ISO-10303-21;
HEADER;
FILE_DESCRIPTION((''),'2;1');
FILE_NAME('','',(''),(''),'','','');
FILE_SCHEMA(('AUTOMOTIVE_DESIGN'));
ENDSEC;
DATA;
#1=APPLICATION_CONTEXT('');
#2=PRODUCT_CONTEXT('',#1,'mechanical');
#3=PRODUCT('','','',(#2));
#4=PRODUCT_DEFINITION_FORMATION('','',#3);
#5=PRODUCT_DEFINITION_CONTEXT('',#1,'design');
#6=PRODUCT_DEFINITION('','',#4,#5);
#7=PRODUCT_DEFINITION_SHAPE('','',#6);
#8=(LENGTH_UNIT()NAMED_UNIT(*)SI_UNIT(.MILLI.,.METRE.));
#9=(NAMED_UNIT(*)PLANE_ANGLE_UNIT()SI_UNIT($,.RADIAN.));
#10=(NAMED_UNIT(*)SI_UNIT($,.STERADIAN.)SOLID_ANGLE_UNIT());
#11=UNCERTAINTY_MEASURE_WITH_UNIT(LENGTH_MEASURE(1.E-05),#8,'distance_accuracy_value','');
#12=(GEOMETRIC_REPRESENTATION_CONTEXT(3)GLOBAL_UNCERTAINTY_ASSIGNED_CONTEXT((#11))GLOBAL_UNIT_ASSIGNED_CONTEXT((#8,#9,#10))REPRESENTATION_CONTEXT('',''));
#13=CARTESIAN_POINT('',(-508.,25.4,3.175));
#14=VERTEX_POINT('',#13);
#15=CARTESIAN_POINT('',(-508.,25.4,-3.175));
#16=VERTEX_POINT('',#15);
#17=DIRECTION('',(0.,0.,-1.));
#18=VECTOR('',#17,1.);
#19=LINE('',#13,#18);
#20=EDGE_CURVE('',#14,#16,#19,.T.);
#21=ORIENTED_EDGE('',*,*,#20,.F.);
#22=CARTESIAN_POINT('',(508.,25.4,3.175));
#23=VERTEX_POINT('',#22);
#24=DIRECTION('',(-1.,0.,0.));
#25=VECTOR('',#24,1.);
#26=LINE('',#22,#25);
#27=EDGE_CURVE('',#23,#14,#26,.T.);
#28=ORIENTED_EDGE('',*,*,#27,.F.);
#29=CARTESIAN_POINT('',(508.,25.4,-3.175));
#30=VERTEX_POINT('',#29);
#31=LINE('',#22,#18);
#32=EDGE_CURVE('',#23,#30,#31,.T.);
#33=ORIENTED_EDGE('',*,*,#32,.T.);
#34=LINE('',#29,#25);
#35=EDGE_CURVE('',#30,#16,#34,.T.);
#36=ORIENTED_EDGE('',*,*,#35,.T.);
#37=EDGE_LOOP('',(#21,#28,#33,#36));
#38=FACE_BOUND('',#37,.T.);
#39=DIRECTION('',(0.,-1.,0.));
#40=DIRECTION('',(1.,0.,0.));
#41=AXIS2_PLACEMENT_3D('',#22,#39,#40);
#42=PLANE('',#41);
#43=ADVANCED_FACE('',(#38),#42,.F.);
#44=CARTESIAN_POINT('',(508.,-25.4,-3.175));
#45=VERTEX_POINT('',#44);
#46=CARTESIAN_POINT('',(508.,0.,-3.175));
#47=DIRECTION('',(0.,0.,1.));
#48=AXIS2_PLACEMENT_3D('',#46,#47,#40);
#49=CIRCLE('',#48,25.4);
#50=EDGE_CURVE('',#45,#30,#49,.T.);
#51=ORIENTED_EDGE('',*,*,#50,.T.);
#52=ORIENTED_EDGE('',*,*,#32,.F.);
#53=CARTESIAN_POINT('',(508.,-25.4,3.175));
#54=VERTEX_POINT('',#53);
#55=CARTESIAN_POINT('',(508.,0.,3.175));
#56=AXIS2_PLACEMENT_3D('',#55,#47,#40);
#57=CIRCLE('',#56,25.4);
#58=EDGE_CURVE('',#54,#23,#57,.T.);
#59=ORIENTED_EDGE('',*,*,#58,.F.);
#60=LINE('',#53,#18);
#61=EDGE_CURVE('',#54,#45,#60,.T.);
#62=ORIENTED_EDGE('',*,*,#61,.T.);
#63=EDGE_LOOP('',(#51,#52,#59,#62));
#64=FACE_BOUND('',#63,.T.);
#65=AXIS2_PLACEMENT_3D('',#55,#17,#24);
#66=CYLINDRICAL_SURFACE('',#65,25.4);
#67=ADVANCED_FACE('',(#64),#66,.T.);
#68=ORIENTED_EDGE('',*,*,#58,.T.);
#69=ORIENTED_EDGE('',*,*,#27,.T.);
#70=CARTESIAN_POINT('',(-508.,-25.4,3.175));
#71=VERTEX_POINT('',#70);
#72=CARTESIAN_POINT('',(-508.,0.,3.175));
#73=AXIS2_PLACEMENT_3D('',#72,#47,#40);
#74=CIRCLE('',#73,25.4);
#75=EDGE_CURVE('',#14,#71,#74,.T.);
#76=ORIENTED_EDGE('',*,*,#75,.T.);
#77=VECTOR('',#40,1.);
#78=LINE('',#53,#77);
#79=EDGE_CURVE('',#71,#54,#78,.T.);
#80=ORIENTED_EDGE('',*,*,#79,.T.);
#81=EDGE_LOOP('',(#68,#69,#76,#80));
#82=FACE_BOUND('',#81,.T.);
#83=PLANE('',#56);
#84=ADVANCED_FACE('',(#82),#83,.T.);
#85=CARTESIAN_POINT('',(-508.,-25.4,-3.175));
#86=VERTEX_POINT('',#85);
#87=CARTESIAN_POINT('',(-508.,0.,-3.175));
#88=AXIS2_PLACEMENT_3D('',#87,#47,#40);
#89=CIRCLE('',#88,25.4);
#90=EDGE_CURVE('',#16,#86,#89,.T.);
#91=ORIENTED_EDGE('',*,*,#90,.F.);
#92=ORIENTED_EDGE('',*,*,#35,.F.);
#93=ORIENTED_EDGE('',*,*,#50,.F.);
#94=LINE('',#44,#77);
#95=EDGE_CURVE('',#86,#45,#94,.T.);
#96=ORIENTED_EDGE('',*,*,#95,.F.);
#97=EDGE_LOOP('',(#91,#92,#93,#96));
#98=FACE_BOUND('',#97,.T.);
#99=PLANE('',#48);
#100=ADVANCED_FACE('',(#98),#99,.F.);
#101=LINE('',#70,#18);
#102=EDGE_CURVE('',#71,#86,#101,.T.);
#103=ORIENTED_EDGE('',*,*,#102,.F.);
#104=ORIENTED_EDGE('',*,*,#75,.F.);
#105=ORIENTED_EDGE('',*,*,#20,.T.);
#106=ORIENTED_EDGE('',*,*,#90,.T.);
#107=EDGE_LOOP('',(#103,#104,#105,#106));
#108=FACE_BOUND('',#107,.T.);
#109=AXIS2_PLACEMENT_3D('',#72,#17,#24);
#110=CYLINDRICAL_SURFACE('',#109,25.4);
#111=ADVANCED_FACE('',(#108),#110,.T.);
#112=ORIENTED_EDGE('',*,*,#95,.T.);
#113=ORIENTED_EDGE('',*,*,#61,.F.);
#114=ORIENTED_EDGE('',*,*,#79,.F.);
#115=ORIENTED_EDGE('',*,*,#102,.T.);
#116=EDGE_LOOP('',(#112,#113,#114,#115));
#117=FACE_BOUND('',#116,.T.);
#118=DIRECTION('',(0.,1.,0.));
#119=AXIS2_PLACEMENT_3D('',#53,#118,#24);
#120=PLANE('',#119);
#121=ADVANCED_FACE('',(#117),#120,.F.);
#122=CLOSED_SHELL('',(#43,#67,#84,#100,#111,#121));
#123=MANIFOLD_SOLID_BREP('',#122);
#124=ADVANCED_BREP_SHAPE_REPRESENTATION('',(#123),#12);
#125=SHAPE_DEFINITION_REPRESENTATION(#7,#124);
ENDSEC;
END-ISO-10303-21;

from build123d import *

# Parameters (mm, degrees)
BOSS_EXTRUDE1_DEPTH = 3.175


with BuildPart() as part:
    # Sketch1 → Boss-Extrude1 (new, symmetric)
    with BuildSketch(Plane.XY):
        with BuildLine():
            Line((508, -25.4), (-508, -25.4))
            ThreePointArc((-508, -25.4), (-533.4, 0), (-508, 25.4))
            Line((-508, 25.4), (508, 25.4))
            ThreePointArc((508, 25.4), (533.4, 0), (508, -25.4))
        make_face()
    extrude(amount=BOSS_EXTRUDE1_DEPTH, both=True)


solid = part.part
